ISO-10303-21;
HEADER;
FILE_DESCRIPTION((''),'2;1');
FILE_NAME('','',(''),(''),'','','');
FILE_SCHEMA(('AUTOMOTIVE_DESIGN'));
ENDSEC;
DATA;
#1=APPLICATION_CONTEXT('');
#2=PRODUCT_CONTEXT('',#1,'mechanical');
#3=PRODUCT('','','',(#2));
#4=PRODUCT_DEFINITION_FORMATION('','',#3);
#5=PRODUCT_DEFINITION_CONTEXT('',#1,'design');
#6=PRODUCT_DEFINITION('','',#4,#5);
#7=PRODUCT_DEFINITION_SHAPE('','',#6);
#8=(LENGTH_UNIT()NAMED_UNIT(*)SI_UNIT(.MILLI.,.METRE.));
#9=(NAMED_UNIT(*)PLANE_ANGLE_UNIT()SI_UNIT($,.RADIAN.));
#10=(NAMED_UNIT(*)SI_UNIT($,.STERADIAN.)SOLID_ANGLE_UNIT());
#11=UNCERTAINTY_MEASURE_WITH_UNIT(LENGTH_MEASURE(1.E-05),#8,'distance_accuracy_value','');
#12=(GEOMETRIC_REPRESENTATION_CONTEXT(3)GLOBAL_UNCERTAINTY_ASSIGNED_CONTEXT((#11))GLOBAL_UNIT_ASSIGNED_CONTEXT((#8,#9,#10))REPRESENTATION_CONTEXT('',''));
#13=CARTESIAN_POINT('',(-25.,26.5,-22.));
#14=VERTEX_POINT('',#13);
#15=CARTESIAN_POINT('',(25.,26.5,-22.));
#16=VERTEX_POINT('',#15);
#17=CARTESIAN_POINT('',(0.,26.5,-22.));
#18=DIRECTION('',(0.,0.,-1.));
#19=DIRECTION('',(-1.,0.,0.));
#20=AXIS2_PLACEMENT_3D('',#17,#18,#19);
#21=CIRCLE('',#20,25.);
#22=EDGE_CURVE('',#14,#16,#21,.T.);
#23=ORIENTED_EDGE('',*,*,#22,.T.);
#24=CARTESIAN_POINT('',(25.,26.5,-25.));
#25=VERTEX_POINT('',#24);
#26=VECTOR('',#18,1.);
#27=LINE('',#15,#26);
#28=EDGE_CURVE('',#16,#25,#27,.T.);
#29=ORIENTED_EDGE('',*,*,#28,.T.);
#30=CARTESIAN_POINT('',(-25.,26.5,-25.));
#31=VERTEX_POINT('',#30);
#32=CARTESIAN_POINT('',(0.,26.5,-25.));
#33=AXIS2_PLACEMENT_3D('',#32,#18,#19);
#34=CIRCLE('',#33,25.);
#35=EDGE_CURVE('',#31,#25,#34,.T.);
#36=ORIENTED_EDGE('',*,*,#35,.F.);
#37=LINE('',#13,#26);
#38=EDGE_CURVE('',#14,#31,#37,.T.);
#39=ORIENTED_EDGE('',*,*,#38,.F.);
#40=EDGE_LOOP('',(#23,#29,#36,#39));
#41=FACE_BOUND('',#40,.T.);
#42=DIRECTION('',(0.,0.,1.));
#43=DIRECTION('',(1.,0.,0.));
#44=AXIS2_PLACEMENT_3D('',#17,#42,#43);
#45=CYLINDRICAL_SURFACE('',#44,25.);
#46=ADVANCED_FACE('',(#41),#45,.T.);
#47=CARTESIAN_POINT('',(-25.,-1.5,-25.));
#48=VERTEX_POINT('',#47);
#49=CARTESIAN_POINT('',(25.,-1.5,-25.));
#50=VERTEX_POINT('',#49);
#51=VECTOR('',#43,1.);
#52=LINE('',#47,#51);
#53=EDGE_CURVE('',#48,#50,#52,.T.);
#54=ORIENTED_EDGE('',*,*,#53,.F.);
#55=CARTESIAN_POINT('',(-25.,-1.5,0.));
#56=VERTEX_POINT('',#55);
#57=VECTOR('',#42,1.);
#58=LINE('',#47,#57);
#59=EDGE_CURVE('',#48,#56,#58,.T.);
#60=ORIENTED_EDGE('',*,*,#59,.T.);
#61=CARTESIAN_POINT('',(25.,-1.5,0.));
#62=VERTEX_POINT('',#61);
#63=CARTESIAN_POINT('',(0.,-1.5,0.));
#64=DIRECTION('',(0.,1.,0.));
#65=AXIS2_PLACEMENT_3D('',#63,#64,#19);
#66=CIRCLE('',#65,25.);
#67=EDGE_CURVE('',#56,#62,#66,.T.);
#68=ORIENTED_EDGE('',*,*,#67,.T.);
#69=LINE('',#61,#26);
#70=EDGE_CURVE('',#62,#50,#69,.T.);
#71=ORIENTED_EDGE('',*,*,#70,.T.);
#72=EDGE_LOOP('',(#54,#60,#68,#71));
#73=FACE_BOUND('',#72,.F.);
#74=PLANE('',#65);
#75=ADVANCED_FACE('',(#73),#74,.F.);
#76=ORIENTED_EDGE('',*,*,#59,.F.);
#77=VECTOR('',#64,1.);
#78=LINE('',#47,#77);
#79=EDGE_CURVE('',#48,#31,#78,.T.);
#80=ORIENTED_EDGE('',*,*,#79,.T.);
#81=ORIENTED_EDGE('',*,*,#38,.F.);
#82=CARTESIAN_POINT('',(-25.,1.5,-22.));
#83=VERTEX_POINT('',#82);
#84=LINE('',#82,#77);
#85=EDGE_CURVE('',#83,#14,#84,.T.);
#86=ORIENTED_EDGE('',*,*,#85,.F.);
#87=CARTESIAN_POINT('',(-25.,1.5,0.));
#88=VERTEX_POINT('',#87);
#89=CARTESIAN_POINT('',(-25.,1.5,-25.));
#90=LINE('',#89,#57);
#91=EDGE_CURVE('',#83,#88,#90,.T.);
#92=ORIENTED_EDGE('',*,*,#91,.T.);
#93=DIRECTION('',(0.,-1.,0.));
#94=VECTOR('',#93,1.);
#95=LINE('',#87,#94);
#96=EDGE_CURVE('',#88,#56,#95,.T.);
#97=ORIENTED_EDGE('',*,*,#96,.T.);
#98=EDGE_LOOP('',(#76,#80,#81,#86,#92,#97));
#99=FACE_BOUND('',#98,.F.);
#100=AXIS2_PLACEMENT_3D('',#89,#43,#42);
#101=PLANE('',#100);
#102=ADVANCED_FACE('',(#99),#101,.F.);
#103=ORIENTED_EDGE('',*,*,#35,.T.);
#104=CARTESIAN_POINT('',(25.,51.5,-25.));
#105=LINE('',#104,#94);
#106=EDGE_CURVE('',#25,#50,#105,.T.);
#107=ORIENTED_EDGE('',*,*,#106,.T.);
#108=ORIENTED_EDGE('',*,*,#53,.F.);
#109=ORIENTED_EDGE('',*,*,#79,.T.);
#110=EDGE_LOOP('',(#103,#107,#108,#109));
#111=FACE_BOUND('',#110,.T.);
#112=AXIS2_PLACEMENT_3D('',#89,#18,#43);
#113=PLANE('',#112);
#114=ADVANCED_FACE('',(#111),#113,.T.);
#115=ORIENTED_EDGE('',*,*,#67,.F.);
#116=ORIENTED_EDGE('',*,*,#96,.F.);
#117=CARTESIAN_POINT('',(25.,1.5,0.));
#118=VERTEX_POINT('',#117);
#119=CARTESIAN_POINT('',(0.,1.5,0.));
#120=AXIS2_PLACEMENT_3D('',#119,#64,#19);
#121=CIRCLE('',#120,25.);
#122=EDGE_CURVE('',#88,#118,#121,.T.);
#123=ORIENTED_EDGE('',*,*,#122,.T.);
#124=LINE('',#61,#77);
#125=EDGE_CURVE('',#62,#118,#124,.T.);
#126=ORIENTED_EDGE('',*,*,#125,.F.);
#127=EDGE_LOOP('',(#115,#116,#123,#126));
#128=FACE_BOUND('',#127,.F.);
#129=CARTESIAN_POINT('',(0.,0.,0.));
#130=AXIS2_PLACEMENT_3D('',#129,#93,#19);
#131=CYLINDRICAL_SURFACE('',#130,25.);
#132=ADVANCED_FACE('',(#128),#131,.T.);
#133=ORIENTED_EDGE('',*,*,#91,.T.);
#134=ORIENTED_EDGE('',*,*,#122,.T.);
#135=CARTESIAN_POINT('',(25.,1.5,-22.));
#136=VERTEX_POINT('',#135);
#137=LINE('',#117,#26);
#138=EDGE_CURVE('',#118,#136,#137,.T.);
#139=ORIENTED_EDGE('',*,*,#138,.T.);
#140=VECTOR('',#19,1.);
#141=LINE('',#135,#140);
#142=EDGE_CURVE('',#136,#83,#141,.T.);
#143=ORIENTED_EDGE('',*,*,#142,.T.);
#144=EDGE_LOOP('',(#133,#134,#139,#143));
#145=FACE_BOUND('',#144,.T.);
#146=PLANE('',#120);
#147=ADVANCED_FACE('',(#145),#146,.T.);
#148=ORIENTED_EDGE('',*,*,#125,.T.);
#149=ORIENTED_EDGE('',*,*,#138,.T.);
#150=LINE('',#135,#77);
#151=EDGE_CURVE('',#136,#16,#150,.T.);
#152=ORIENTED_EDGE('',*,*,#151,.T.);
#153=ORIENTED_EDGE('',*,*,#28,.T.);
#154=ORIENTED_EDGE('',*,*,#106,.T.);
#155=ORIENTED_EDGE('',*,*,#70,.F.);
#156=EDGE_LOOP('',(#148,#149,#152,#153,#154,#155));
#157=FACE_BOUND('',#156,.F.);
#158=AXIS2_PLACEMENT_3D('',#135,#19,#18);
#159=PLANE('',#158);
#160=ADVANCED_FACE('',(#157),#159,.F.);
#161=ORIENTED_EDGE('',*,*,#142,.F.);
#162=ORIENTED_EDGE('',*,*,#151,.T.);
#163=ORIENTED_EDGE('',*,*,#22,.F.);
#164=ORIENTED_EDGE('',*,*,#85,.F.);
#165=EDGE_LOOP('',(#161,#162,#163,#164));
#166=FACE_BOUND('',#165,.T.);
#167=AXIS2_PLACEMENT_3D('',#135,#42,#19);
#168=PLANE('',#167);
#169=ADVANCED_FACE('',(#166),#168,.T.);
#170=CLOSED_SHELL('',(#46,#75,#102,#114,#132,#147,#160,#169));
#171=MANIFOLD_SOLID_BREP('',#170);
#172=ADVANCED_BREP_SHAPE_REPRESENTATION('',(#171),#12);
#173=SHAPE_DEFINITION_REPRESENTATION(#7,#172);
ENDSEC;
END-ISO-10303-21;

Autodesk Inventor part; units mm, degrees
ref_plane "YZ Plane" through (0, 0, 0) normal (1, 0, 0) x (0, 1, 0)
ref_plane "XZ Plane" through (0, 0, 0) normal (0, 1, 0) x (-1, 0, 0)
ref_plane "XY Plane" through (0, 0, 0) normal (0, 0, 1) x (1, 0, 0)
sketch "草圖1" plane through (0, 0, 0) normal (0, 1, 0) x (-1, 0, 0)
  circle A0 centre (0, 0) radius 25
  line L0 (25, 0) -> (-25, 0)
  line L1 (-25, 0) -> (-25, -25)
  line L2 (-25, -25) -> (25, -25)
  line L3 (25, -25) -> (25, 0)
  dimension "d0" = 50
extrude "擠出1" add sketch "草圖1" along normal mid plane 3
sketch "草圖2" plane through (0, 1.5, 0) normal (0, 1, 0) x (1, 0, 0)
  line L0 (-25, 25) -> (-25, 0) projected
  line L1 (25, 0) -> (25, 25) projected
  line L2 (-25, 25) -> (25, 25)
  line L3 (25, 25) -> (25, 22)
  line L4 (25, 22) -> (-25, 22)
  line L5 (-25, 22) -> (-25, 25)
  point P0 (0, 0)
  dimension "d3" = 3
extrude "擠出2" add sketch "草圖2" along normal blind 50
sketch "草圖3" plane through (-25, 1.5, -22) normal (0, 0, 1) x (1, 0, 0)
  circle A0 centre (25, 25) radius 25
  line L0 (0, 50) -> (50, 50) projected
  line L1 (50, 0) -> (50, 50) projected
  line L2 (50, 0) -> (0, 0) projected
  line L3 (50, 0) -> (50, 50) projected
  line L4 (0, 50) -> (50, 50) projected
  line L5 (0, 0) -> (0, 50) projected
  point P0 (25, -1.5)
  point P1 (25, 50)
  point P2 (0, 25)
  point P3 (50, 25)
extrude "擠出3" cut sketch "草圖3" against normal up to surface (3 mm away) contours A0 L0 L1 | A0 L5 L0
properties part number "Base_1"
